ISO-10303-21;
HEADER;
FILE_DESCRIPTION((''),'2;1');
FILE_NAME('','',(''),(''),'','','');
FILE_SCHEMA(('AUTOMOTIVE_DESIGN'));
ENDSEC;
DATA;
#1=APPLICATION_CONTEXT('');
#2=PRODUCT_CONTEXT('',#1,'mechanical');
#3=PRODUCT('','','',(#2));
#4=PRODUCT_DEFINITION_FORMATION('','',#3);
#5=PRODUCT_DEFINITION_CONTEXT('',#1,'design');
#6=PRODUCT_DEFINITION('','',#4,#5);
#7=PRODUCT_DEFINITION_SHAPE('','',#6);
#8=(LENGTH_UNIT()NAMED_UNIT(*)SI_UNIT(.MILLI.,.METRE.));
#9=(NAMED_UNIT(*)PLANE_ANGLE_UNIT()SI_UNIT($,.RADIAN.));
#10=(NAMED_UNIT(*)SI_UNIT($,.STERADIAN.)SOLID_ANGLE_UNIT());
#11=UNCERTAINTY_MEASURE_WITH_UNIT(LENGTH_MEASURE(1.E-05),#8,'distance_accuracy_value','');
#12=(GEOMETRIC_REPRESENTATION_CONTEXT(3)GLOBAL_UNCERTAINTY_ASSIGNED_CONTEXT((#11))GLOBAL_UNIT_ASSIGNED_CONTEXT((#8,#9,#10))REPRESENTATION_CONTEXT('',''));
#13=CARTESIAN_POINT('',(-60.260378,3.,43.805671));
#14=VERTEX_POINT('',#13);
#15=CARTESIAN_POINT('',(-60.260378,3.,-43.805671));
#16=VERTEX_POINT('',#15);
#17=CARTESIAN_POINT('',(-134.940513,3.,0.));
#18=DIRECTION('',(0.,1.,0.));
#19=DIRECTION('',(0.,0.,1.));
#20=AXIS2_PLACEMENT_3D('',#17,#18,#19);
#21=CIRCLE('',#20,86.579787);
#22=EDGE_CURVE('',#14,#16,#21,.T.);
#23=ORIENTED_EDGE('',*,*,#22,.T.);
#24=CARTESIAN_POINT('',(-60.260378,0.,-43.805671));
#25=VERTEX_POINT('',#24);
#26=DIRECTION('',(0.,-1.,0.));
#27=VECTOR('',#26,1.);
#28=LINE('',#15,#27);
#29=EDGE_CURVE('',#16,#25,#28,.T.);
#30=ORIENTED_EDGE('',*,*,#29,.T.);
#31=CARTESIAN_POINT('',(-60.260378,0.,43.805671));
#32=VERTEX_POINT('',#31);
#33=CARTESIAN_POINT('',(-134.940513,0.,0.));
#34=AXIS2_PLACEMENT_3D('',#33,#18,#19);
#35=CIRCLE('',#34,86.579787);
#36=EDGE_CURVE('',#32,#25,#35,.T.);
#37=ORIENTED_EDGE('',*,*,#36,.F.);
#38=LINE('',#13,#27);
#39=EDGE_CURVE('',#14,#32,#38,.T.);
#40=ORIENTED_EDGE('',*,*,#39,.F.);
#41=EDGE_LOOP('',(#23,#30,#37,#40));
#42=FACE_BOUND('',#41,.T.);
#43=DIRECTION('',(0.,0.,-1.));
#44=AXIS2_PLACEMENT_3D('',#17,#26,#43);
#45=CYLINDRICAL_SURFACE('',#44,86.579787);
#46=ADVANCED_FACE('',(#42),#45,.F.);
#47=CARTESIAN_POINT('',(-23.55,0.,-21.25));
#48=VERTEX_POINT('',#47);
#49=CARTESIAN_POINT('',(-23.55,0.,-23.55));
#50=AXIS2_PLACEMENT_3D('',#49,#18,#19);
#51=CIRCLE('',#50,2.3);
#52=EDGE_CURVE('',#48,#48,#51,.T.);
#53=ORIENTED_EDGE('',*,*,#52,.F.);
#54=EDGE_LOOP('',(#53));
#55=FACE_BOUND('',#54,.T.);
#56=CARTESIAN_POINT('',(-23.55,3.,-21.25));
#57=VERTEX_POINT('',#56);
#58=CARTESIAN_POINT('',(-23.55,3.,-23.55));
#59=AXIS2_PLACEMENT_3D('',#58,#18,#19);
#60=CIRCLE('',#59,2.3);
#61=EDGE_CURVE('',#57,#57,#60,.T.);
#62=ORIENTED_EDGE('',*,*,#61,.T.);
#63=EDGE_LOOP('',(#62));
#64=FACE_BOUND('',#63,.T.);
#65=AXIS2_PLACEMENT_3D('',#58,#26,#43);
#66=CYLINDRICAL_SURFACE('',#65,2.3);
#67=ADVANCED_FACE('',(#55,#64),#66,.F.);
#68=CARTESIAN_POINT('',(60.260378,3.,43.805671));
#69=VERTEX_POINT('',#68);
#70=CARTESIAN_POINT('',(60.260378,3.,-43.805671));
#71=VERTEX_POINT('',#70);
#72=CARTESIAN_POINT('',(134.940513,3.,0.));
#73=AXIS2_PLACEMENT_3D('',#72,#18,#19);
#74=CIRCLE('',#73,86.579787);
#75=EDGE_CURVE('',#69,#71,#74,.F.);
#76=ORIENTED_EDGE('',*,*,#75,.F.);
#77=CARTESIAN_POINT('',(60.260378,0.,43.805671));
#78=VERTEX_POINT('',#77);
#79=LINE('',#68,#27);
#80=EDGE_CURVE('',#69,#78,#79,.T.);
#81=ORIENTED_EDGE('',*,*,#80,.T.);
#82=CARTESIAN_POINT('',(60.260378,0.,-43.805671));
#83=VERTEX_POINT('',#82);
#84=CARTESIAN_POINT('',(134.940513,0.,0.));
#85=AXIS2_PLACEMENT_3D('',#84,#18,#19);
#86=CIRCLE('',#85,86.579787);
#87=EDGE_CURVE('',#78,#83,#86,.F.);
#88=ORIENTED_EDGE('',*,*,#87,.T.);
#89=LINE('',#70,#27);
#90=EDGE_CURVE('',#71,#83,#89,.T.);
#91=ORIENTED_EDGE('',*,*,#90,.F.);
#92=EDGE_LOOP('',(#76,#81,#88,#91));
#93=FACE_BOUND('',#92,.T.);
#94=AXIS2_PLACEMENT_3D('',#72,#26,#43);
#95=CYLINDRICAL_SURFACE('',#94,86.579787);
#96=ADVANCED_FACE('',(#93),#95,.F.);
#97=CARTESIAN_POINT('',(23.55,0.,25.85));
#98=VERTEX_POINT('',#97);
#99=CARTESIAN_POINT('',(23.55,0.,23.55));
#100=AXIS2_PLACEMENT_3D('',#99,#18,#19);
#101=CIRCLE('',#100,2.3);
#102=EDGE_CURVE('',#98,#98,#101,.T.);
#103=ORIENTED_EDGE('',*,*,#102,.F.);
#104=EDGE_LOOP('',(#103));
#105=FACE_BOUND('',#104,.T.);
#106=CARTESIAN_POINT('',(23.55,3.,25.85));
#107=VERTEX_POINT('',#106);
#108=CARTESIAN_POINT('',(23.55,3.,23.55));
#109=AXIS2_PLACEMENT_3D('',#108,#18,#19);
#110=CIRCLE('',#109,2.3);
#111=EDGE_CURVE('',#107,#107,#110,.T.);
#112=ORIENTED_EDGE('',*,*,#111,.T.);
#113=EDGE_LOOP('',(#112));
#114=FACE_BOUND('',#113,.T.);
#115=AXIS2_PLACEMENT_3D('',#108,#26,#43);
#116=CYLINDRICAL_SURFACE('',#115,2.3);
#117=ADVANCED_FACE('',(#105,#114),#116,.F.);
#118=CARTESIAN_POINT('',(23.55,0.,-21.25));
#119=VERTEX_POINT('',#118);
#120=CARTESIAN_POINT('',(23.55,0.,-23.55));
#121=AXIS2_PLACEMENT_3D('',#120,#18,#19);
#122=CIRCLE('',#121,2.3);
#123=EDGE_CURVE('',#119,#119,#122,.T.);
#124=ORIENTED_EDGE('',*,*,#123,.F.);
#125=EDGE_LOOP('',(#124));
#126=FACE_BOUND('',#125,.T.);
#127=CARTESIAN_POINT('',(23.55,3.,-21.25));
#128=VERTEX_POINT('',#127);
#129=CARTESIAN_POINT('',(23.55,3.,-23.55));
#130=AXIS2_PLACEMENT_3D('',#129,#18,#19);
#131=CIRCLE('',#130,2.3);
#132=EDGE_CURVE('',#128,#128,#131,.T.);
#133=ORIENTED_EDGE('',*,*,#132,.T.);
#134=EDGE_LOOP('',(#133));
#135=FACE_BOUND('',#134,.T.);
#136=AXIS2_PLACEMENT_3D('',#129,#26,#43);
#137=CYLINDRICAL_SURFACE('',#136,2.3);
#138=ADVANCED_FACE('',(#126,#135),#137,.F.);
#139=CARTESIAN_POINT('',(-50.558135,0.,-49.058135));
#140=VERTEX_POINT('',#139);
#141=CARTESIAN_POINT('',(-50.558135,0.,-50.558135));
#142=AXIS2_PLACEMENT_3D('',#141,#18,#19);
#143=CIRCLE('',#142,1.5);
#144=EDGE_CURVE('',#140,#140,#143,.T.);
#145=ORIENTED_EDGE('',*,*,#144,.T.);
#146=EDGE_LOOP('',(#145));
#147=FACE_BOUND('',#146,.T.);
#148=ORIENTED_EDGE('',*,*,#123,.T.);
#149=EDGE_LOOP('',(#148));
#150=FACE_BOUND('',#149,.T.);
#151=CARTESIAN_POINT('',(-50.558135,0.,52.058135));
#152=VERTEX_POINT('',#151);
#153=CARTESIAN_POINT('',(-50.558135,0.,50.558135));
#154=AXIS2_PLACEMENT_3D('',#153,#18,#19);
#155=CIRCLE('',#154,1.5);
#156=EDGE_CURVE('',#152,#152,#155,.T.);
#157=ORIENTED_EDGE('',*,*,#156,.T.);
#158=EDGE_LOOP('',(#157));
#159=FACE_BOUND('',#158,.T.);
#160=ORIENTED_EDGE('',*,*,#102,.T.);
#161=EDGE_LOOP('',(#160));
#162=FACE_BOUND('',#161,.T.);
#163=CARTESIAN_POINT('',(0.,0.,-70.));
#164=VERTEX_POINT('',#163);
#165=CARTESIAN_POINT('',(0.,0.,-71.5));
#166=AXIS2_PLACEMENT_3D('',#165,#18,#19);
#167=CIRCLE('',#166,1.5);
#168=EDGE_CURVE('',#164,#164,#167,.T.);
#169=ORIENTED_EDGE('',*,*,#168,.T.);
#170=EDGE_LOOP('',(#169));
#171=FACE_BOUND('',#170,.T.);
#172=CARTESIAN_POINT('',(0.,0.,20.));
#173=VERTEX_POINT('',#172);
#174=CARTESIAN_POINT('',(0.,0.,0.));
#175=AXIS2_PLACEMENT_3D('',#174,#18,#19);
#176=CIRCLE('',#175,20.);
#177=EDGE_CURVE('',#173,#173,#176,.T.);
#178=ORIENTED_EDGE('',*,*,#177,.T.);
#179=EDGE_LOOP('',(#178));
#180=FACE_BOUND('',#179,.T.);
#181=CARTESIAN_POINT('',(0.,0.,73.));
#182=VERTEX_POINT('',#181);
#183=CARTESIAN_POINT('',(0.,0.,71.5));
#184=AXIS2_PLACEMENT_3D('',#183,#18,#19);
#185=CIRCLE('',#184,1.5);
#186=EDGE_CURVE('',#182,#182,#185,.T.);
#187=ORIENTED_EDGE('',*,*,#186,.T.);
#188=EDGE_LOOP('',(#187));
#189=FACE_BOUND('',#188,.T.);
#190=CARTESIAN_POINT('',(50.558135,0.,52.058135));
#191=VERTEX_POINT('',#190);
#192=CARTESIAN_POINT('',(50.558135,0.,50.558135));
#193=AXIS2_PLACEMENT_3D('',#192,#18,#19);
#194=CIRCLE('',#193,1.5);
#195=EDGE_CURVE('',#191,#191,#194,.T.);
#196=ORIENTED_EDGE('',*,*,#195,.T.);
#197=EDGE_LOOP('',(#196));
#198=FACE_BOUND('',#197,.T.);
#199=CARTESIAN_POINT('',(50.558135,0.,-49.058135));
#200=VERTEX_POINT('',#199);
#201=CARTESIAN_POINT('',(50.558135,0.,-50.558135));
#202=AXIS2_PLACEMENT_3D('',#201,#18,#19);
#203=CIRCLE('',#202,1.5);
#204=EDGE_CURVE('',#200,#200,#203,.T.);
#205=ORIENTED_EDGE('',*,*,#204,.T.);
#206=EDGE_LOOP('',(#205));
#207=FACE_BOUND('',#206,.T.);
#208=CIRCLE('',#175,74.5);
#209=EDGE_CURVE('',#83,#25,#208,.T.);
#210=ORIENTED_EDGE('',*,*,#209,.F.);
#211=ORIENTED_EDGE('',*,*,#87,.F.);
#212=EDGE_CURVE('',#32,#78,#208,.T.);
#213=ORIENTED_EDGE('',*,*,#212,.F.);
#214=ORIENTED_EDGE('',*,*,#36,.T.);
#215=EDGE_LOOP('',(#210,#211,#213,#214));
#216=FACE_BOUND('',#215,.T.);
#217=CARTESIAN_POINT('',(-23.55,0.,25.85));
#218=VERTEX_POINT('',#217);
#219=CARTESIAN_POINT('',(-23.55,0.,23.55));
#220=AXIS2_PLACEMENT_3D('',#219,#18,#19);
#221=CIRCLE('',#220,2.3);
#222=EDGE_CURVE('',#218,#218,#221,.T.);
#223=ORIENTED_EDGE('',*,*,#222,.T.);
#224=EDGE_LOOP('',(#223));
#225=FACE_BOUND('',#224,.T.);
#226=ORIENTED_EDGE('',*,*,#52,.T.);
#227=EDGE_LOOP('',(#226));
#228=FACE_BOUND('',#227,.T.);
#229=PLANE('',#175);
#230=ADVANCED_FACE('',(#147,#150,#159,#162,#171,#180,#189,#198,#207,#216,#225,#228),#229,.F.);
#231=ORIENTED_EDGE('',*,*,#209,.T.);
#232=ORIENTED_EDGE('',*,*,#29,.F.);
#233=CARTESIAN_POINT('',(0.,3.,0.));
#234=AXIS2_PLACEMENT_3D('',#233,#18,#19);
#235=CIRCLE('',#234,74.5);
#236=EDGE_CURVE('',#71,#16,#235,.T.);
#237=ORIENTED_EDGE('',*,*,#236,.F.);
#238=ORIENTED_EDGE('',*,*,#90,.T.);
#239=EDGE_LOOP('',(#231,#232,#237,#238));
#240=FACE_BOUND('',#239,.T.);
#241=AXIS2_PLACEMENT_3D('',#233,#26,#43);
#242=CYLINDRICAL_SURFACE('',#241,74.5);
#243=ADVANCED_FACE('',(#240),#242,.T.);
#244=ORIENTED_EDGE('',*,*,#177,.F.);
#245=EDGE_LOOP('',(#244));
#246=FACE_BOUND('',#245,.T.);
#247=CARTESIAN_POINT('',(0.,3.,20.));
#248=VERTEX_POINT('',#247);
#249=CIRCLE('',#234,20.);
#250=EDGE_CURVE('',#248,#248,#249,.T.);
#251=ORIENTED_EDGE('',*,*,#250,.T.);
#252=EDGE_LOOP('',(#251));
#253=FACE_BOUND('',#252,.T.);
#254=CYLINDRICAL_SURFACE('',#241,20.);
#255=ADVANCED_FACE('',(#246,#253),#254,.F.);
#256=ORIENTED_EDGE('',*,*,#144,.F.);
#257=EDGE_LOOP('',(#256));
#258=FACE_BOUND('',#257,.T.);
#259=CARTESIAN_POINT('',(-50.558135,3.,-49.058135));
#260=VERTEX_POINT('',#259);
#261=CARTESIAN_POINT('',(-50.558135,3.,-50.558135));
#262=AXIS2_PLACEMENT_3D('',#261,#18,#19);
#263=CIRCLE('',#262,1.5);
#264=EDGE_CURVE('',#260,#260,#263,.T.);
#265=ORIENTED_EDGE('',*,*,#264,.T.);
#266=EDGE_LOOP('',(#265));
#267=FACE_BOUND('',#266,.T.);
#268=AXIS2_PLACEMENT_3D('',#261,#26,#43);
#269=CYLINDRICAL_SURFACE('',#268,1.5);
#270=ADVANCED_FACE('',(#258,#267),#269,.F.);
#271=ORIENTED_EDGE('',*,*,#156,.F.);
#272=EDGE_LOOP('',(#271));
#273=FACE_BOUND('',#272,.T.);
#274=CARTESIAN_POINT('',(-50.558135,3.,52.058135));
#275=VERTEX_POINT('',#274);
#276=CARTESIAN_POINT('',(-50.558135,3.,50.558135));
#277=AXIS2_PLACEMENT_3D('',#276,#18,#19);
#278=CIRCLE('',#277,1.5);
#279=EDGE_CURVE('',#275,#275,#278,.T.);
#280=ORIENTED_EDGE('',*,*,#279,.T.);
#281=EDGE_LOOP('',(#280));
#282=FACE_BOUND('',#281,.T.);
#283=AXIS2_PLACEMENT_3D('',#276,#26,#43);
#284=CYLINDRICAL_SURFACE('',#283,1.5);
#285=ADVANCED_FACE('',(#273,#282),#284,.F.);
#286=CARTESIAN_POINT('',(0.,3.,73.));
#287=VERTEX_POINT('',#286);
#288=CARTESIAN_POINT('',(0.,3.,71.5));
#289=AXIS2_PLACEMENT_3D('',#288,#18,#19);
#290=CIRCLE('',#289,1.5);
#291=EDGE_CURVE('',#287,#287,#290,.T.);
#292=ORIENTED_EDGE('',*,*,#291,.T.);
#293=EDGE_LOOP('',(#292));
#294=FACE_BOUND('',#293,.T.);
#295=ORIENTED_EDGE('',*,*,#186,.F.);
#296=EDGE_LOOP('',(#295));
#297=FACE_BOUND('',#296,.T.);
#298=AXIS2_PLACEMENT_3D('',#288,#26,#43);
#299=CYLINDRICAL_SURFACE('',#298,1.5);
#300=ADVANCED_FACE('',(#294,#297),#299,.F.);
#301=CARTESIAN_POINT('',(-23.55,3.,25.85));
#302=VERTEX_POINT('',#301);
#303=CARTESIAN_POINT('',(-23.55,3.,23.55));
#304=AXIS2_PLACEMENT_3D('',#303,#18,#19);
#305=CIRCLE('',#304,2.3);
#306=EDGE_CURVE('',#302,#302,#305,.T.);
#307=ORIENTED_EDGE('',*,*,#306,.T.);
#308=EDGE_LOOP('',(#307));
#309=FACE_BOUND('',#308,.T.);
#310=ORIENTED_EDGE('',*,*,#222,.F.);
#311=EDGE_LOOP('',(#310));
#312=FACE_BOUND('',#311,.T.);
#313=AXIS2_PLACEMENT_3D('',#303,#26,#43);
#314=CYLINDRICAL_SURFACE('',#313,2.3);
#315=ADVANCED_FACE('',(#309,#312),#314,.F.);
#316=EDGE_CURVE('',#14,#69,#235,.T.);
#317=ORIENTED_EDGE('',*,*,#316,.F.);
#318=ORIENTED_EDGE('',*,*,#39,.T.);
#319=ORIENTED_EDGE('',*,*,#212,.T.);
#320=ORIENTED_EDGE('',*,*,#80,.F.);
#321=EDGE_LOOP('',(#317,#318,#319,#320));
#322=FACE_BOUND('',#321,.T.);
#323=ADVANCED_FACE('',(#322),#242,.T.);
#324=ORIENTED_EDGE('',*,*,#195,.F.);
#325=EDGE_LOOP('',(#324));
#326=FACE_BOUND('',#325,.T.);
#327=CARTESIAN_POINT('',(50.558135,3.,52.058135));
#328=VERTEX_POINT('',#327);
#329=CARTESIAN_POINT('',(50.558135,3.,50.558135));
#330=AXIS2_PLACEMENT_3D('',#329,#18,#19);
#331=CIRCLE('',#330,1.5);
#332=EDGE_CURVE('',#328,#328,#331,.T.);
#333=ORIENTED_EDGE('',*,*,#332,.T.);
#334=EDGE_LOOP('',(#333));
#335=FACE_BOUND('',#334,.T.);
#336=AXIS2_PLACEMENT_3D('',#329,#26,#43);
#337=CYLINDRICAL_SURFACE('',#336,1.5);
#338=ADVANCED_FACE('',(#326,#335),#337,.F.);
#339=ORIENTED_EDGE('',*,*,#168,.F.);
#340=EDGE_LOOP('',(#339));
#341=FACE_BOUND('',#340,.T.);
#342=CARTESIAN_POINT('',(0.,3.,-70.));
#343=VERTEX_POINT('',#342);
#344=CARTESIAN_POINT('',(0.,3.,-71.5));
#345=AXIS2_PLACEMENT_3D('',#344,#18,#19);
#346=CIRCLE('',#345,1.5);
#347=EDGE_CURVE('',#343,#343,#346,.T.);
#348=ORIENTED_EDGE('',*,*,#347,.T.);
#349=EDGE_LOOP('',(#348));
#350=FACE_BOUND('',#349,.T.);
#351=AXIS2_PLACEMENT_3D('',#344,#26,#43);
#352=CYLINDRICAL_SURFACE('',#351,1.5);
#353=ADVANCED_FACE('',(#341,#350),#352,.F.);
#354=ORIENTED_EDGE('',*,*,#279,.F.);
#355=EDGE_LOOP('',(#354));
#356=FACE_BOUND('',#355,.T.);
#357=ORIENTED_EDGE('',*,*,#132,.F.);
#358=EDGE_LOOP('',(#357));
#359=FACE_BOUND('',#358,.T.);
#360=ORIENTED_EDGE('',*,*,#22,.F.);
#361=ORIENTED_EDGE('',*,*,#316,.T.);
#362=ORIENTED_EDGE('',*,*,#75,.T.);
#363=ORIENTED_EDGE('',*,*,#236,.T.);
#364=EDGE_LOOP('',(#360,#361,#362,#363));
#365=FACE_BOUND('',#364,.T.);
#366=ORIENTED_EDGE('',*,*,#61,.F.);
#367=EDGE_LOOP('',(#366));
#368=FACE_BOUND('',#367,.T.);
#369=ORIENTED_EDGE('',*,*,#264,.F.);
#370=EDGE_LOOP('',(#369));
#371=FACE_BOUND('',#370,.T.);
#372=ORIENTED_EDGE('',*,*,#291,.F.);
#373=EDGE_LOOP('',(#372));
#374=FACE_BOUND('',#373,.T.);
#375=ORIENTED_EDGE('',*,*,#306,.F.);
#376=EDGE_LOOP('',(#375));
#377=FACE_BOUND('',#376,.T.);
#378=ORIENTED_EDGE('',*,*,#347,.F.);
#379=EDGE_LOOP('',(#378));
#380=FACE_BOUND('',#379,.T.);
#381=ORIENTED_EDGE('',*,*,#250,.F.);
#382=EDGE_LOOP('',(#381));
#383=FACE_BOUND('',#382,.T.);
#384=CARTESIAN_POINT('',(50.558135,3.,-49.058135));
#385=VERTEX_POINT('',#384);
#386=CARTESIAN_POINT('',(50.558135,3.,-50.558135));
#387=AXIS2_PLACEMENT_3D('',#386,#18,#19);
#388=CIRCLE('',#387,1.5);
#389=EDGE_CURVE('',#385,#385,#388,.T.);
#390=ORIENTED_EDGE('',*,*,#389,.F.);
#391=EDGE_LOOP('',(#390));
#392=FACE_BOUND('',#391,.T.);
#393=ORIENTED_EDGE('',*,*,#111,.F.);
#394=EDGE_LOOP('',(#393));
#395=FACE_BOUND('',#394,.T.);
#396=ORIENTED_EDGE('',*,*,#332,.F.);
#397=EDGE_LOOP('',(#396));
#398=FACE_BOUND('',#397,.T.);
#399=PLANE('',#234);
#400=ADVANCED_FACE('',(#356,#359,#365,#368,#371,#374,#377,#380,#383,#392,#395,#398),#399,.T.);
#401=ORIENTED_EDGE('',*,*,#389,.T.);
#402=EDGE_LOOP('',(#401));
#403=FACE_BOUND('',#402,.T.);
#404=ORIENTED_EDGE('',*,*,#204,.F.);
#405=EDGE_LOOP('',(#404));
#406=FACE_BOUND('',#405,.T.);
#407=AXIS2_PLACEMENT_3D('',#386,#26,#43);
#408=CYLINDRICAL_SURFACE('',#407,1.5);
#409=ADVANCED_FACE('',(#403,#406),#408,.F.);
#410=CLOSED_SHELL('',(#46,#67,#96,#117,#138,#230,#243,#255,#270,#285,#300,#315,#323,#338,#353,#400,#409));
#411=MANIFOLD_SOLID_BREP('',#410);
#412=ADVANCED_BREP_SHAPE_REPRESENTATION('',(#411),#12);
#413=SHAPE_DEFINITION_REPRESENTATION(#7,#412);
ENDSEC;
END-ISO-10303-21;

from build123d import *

# Parameters (mm, degrees)
SKETCH_2_R      = 1.5
SKETCH_2_R_2    = 20
SKETCH_2_R_3    = 2.3
EXTRUDE_1_DEPTH = 3


with BuildPart() as part:
    # 草图2 → 凸台-拉伸1 (new body)
    with BuildSketch(Plane(origin=(0, 0, 0), x_dir=(1, 0, 0), z_dir=(0, 1, 0))):
        with BuildLine():
            ThreePointArc((60.260378076, 43.805671256), (0, 74.5), (-60.260378076, 43.805671256))
            ThreePointArc((-60.260378076, 43.805671256), (-48.360726818, 0), (-60.260378076, -43.805671256))
            ThreePointArc((-60.260378076, -43.805671256), (0, -74.5), (60.260378076, -43.805671256))
            ThreePointArc((60.260378076, -43.805671256), (48.360726818, 0), (60.260378076, 43.805671256))
        make_face()
        with Locations(Location((0, 71.5, 0), (0, 0, 270))):
            Circle(SKETCH_2_R, mode=Mode.SUBTRACT)
        with Locations(Location((50.558134855, 50.558134855, 0), (0, 0, 270))):
            Circle(SKETCH_2_R, mode=Mode.SUBTRACT)
        with Locations(Location((50.558134855, -50.558134855, 0), (0, 0, 270))):
            Circle(SKETCH_2_R, mode=Mode.SUBTRACT)
        with Locations(Location((0, -71.5, 0), (0, 0, 270))):
            Circle(SKETCH_2_R, mode=Mode.SUBTRACT)
        with Locations(Location((-50.558134855, -50.558134855, 0), (0, 0, 270))):
            Circle(SKETCH_2_R, mode=Mode.SUBTRACT)
        with Locations(Location((-50.558134855, 50.558134855, 0), (0, 0, 270))):
            Circle(SKETCH_2_R, mode=Mode.SUBTRACT)
        with Locations(Location((0, 0, 0), (0, 0, 270))):
            Circle(SKETCH_2_R_2, mode=Mode.SUBTRACT)
        with Locations(Location((-23.55, 23.55, 0), (0, 0, 270))):
            Circle(SKETCH_2_R_3, mode=Mode.SUBTRACT)
        with Locations(Location((23.55, 23.55, 0), (0, 0, 270))):
            Circle(SKETCH_2_R_3, mode=Mode.SUBTRACT)
        with Locations(Location((23.55, -23.55, 0), (0, 0, 270))):
            Circle(SKETCH_2_R_3, mode=Mode.SUBTRACT)
        with Locations(Location((-23.55, -23.55, 0), (0, 0, 270))):
            Circle(SKETCH_2_R_3, mode=Mode.SUBTRACT)
    extrude(amount=EXTRUDE_1_DEPTH)


solid = part.part
